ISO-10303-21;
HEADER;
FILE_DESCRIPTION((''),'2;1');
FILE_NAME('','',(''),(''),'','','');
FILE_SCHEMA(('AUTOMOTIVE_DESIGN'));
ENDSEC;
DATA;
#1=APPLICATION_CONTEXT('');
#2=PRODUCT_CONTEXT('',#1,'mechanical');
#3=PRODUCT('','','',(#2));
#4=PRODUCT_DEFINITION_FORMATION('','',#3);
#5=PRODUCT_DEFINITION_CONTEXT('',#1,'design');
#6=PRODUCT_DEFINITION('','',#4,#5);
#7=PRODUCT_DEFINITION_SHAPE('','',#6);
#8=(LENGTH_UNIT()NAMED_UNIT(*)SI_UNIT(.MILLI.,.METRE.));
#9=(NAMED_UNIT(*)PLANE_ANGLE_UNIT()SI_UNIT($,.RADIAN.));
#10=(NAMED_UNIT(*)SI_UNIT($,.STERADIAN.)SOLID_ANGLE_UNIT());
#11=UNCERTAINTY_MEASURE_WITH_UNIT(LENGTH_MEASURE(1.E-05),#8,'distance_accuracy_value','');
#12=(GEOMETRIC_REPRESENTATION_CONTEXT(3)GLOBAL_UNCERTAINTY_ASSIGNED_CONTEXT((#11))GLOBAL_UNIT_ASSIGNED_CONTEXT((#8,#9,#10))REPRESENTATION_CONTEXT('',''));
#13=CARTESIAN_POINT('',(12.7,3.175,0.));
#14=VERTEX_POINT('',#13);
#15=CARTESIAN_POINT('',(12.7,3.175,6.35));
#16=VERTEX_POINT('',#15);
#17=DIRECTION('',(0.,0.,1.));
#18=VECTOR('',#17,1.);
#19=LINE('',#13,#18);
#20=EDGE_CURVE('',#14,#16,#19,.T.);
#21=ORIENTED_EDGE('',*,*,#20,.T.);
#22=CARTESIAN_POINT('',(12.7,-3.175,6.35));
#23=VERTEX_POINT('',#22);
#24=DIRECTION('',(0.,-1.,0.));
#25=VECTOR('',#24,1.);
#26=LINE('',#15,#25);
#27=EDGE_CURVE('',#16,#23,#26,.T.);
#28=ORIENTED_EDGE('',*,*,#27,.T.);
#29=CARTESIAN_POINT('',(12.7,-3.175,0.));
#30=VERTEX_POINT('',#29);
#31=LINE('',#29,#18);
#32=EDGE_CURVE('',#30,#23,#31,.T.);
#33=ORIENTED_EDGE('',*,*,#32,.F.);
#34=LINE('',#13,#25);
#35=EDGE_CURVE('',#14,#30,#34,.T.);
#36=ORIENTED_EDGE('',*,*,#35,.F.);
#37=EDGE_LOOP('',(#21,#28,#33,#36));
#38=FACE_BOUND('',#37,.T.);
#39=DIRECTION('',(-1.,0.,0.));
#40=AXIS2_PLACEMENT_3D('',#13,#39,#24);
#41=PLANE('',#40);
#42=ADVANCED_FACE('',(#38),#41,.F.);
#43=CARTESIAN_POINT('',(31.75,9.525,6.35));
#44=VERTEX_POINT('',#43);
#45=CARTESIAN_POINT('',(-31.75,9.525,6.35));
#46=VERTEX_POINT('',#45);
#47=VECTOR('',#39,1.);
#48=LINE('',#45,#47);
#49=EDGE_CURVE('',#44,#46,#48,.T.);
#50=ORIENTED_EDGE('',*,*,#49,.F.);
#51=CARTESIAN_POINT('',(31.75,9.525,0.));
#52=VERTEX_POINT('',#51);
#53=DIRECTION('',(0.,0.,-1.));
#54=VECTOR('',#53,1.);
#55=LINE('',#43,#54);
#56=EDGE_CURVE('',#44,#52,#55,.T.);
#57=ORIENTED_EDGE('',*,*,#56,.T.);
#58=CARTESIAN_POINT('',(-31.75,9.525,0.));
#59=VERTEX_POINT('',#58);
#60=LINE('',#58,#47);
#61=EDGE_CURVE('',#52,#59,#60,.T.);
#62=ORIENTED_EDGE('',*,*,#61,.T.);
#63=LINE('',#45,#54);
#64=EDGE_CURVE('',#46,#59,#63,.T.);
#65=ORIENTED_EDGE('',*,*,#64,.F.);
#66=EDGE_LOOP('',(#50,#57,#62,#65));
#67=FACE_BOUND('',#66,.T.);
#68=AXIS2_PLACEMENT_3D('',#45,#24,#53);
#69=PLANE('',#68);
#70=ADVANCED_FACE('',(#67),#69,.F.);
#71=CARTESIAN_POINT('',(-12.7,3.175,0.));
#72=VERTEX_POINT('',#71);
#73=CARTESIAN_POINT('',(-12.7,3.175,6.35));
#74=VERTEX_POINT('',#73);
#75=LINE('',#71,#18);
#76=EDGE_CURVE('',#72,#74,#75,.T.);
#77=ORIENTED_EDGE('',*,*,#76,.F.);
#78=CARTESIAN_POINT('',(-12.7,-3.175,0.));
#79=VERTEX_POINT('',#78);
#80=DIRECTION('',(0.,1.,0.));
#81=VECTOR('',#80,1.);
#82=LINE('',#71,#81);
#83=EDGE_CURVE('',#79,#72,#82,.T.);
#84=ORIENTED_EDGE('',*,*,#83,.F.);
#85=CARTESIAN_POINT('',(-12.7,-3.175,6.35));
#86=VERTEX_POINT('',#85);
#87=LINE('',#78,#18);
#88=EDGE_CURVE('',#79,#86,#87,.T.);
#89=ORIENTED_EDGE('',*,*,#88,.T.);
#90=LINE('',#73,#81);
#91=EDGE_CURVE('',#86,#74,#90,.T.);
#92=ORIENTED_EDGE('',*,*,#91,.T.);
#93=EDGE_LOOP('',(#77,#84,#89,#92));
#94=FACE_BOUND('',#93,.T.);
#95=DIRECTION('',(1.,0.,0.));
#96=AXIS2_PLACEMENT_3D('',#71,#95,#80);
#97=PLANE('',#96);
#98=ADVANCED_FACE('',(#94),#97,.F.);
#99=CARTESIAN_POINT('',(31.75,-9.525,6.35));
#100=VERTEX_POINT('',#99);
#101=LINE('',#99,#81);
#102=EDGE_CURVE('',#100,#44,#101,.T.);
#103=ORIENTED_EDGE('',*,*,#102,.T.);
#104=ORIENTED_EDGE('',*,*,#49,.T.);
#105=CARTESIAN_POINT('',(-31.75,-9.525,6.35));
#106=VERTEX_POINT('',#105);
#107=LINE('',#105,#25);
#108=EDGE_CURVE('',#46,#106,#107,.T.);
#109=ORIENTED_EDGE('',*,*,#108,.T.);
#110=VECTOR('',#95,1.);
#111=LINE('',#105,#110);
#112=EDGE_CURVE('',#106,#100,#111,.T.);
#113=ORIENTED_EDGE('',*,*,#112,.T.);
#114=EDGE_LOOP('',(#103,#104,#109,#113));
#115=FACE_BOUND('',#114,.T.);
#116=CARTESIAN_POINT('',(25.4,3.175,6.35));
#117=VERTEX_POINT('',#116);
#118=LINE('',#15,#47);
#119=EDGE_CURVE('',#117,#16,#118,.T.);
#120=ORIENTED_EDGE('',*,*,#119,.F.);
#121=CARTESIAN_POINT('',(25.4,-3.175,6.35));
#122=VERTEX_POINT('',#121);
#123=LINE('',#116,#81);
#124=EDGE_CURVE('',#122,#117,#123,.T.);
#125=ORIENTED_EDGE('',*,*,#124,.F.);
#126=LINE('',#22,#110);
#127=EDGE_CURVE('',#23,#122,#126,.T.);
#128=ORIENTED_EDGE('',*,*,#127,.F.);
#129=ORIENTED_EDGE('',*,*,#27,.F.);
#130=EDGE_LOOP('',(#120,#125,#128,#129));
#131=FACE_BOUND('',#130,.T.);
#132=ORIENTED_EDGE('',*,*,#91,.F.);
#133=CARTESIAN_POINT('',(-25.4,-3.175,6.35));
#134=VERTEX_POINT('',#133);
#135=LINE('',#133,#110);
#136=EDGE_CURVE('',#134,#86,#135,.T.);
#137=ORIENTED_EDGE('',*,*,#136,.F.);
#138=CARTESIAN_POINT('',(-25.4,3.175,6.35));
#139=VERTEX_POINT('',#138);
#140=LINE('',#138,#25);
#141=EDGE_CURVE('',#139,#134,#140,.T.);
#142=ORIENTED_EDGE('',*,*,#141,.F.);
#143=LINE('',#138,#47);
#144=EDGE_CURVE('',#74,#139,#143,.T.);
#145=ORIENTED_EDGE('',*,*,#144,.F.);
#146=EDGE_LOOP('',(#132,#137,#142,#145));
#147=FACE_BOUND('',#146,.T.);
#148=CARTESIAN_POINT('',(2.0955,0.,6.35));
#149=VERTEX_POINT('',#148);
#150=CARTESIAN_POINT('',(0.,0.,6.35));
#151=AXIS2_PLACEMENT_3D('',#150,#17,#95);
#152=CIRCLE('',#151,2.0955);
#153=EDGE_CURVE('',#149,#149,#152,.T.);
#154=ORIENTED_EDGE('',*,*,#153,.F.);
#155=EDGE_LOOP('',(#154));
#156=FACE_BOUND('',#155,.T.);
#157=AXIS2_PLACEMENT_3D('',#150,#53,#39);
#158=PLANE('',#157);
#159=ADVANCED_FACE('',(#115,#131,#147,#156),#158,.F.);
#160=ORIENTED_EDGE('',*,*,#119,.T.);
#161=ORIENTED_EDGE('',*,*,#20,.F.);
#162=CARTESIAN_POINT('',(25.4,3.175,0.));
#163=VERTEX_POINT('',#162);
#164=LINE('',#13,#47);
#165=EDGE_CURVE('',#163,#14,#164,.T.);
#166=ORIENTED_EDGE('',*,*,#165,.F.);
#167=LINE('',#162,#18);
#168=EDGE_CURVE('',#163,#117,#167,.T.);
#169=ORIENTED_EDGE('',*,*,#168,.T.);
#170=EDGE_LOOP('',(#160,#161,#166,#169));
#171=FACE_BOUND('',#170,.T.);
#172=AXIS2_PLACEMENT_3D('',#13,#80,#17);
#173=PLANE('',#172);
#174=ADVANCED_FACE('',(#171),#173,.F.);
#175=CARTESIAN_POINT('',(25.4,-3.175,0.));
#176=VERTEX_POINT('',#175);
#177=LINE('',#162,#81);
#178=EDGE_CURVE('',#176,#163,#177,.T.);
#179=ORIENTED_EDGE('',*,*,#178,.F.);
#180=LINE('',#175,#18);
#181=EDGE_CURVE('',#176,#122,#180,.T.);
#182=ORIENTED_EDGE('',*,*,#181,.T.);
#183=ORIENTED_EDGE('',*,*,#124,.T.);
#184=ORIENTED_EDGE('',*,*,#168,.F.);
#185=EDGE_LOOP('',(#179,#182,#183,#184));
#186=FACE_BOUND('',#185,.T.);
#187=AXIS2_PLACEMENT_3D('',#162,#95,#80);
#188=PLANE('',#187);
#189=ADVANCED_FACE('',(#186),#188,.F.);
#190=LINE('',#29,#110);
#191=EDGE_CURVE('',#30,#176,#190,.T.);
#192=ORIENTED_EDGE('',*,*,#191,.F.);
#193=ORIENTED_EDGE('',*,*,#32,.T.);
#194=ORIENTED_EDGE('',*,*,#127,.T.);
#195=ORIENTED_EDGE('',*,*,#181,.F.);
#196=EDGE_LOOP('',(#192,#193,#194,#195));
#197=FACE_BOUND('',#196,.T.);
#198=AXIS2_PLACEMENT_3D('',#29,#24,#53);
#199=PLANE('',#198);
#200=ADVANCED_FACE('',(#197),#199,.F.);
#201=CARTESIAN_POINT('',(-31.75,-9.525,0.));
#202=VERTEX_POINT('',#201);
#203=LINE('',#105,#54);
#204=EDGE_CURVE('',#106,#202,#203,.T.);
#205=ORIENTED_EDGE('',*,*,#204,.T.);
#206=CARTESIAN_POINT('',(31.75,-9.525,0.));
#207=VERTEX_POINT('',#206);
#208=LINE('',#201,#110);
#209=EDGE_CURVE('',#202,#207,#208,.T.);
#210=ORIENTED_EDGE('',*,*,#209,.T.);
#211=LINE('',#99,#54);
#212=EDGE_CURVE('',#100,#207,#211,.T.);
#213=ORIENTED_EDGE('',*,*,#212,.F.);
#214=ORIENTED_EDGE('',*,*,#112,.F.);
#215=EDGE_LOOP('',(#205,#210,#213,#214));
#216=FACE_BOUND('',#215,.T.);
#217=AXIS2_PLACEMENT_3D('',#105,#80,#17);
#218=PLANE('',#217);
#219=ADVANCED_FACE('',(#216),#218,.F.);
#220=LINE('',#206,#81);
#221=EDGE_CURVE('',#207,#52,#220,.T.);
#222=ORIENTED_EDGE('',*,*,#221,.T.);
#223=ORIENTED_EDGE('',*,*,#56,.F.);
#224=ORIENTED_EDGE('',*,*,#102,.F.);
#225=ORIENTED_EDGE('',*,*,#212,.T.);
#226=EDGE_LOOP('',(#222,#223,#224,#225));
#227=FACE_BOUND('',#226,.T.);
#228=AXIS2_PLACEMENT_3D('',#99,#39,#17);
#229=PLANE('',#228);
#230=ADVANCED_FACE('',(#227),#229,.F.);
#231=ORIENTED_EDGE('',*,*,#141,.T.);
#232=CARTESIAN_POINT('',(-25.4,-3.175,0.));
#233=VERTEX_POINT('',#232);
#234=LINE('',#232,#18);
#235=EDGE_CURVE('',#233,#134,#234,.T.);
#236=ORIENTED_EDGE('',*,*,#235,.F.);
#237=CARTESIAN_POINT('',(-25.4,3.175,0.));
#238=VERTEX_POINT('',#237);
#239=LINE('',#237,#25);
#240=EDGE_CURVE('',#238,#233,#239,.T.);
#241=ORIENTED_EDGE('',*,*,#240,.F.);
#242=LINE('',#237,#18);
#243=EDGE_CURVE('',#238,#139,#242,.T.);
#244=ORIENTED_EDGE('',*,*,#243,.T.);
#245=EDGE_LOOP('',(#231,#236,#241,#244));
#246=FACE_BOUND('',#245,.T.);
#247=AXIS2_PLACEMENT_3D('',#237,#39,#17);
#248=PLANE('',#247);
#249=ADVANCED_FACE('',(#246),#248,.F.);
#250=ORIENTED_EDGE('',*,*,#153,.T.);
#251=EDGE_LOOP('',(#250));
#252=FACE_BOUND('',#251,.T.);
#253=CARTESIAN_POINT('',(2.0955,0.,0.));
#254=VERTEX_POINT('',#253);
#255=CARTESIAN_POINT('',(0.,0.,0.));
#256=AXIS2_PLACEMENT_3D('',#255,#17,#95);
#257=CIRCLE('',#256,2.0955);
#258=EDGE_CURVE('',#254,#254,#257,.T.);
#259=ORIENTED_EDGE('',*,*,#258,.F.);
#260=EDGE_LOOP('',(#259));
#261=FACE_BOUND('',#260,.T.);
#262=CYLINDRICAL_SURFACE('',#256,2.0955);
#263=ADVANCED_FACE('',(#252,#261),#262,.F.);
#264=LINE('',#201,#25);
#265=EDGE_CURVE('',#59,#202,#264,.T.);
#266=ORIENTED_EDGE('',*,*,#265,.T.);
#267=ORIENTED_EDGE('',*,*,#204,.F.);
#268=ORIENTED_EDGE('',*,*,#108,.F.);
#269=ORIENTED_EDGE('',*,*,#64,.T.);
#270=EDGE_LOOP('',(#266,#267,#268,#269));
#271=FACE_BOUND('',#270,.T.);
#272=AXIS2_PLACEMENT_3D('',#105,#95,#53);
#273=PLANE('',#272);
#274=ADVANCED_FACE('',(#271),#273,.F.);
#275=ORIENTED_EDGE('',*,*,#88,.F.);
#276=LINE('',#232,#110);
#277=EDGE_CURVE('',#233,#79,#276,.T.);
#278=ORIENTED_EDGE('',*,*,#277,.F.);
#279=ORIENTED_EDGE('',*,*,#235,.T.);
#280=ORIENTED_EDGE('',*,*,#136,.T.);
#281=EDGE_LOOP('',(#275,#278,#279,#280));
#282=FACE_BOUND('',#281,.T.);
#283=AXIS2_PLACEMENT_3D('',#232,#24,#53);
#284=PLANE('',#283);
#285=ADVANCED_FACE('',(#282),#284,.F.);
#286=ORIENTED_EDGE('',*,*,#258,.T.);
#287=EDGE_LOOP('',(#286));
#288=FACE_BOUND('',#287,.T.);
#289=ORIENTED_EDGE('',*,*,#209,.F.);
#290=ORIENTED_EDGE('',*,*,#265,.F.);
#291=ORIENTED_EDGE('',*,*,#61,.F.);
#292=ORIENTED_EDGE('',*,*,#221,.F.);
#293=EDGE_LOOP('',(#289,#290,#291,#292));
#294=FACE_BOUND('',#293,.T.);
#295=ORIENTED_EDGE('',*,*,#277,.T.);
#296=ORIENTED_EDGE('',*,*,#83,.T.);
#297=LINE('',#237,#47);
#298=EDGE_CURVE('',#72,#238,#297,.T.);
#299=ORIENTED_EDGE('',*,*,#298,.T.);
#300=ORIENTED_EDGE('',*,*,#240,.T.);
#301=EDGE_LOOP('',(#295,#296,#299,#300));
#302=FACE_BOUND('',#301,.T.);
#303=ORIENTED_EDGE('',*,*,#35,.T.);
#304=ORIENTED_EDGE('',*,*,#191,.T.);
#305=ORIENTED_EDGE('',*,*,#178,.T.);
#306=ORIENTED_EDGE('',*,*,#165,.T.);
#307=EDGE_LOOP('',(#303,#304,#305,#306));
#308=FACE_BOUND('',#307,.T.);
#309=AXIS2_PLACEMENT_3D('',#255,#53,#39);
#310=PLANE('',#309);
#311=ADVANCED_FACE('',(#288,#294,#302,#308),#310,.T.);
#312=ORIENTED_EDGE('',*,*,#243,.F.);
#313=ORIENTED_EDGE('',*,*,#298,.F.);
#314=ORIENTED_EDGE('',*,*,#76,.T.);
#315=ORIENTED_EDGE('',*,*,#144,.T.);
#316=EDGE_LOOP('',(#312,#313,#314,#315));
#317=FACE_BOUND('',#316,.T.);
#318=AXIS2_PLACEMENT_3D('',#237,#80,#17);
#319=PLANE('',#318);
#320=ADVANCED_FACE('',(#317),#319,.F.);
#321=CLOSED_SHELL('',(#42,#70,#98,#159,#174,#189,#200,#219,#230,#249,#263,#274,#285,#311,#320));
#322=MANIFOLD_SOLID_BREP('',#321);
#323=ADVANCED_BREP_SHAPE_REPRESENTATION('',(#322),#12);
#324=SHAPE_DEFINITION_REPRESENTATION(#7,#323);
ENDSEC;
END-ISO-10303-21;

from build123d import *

# Parameters (mm, degrees)
SKETCH1_W           = 63.5
SKETCH1_H           = 19.05
BOSS_EXTRUDE1_DEPTH = 6.35
SKETCH2_R           = 2.0955
SKETCH2_W           = 12.7
SKETCH2_H           = 6.35
CUT_EXTRUDE1_DEPTH  = 6.35


with BuildPart() as part:
    # Sketch1 → Boss-Extrude1 (new body)
    with BuildSketch(Plane.XY):
        Rectangle(SKETCH1_W, SKETCH1_H)
    extrude(amount=BOSS_EXTRUDE1_DEPTH)

    # Sketch2 → Cut-Extrude1 (cut)
    with BuildSketch(Plane.XY.offset(6.35)):
        Circle(SKETCH2_R)
        with Locations((-19.05, 0)):
            Rectangle(SKETCH2_W, SKETCH2_H)
        with Locations((19.05, 0)):
            Rectangle(SKETCH2_W, SKETCH2_H)
    extrude(amount=-CUT_EXTRUDE1_DEPTH, mode=Mode.SUBTRACT)


solid = part.part
